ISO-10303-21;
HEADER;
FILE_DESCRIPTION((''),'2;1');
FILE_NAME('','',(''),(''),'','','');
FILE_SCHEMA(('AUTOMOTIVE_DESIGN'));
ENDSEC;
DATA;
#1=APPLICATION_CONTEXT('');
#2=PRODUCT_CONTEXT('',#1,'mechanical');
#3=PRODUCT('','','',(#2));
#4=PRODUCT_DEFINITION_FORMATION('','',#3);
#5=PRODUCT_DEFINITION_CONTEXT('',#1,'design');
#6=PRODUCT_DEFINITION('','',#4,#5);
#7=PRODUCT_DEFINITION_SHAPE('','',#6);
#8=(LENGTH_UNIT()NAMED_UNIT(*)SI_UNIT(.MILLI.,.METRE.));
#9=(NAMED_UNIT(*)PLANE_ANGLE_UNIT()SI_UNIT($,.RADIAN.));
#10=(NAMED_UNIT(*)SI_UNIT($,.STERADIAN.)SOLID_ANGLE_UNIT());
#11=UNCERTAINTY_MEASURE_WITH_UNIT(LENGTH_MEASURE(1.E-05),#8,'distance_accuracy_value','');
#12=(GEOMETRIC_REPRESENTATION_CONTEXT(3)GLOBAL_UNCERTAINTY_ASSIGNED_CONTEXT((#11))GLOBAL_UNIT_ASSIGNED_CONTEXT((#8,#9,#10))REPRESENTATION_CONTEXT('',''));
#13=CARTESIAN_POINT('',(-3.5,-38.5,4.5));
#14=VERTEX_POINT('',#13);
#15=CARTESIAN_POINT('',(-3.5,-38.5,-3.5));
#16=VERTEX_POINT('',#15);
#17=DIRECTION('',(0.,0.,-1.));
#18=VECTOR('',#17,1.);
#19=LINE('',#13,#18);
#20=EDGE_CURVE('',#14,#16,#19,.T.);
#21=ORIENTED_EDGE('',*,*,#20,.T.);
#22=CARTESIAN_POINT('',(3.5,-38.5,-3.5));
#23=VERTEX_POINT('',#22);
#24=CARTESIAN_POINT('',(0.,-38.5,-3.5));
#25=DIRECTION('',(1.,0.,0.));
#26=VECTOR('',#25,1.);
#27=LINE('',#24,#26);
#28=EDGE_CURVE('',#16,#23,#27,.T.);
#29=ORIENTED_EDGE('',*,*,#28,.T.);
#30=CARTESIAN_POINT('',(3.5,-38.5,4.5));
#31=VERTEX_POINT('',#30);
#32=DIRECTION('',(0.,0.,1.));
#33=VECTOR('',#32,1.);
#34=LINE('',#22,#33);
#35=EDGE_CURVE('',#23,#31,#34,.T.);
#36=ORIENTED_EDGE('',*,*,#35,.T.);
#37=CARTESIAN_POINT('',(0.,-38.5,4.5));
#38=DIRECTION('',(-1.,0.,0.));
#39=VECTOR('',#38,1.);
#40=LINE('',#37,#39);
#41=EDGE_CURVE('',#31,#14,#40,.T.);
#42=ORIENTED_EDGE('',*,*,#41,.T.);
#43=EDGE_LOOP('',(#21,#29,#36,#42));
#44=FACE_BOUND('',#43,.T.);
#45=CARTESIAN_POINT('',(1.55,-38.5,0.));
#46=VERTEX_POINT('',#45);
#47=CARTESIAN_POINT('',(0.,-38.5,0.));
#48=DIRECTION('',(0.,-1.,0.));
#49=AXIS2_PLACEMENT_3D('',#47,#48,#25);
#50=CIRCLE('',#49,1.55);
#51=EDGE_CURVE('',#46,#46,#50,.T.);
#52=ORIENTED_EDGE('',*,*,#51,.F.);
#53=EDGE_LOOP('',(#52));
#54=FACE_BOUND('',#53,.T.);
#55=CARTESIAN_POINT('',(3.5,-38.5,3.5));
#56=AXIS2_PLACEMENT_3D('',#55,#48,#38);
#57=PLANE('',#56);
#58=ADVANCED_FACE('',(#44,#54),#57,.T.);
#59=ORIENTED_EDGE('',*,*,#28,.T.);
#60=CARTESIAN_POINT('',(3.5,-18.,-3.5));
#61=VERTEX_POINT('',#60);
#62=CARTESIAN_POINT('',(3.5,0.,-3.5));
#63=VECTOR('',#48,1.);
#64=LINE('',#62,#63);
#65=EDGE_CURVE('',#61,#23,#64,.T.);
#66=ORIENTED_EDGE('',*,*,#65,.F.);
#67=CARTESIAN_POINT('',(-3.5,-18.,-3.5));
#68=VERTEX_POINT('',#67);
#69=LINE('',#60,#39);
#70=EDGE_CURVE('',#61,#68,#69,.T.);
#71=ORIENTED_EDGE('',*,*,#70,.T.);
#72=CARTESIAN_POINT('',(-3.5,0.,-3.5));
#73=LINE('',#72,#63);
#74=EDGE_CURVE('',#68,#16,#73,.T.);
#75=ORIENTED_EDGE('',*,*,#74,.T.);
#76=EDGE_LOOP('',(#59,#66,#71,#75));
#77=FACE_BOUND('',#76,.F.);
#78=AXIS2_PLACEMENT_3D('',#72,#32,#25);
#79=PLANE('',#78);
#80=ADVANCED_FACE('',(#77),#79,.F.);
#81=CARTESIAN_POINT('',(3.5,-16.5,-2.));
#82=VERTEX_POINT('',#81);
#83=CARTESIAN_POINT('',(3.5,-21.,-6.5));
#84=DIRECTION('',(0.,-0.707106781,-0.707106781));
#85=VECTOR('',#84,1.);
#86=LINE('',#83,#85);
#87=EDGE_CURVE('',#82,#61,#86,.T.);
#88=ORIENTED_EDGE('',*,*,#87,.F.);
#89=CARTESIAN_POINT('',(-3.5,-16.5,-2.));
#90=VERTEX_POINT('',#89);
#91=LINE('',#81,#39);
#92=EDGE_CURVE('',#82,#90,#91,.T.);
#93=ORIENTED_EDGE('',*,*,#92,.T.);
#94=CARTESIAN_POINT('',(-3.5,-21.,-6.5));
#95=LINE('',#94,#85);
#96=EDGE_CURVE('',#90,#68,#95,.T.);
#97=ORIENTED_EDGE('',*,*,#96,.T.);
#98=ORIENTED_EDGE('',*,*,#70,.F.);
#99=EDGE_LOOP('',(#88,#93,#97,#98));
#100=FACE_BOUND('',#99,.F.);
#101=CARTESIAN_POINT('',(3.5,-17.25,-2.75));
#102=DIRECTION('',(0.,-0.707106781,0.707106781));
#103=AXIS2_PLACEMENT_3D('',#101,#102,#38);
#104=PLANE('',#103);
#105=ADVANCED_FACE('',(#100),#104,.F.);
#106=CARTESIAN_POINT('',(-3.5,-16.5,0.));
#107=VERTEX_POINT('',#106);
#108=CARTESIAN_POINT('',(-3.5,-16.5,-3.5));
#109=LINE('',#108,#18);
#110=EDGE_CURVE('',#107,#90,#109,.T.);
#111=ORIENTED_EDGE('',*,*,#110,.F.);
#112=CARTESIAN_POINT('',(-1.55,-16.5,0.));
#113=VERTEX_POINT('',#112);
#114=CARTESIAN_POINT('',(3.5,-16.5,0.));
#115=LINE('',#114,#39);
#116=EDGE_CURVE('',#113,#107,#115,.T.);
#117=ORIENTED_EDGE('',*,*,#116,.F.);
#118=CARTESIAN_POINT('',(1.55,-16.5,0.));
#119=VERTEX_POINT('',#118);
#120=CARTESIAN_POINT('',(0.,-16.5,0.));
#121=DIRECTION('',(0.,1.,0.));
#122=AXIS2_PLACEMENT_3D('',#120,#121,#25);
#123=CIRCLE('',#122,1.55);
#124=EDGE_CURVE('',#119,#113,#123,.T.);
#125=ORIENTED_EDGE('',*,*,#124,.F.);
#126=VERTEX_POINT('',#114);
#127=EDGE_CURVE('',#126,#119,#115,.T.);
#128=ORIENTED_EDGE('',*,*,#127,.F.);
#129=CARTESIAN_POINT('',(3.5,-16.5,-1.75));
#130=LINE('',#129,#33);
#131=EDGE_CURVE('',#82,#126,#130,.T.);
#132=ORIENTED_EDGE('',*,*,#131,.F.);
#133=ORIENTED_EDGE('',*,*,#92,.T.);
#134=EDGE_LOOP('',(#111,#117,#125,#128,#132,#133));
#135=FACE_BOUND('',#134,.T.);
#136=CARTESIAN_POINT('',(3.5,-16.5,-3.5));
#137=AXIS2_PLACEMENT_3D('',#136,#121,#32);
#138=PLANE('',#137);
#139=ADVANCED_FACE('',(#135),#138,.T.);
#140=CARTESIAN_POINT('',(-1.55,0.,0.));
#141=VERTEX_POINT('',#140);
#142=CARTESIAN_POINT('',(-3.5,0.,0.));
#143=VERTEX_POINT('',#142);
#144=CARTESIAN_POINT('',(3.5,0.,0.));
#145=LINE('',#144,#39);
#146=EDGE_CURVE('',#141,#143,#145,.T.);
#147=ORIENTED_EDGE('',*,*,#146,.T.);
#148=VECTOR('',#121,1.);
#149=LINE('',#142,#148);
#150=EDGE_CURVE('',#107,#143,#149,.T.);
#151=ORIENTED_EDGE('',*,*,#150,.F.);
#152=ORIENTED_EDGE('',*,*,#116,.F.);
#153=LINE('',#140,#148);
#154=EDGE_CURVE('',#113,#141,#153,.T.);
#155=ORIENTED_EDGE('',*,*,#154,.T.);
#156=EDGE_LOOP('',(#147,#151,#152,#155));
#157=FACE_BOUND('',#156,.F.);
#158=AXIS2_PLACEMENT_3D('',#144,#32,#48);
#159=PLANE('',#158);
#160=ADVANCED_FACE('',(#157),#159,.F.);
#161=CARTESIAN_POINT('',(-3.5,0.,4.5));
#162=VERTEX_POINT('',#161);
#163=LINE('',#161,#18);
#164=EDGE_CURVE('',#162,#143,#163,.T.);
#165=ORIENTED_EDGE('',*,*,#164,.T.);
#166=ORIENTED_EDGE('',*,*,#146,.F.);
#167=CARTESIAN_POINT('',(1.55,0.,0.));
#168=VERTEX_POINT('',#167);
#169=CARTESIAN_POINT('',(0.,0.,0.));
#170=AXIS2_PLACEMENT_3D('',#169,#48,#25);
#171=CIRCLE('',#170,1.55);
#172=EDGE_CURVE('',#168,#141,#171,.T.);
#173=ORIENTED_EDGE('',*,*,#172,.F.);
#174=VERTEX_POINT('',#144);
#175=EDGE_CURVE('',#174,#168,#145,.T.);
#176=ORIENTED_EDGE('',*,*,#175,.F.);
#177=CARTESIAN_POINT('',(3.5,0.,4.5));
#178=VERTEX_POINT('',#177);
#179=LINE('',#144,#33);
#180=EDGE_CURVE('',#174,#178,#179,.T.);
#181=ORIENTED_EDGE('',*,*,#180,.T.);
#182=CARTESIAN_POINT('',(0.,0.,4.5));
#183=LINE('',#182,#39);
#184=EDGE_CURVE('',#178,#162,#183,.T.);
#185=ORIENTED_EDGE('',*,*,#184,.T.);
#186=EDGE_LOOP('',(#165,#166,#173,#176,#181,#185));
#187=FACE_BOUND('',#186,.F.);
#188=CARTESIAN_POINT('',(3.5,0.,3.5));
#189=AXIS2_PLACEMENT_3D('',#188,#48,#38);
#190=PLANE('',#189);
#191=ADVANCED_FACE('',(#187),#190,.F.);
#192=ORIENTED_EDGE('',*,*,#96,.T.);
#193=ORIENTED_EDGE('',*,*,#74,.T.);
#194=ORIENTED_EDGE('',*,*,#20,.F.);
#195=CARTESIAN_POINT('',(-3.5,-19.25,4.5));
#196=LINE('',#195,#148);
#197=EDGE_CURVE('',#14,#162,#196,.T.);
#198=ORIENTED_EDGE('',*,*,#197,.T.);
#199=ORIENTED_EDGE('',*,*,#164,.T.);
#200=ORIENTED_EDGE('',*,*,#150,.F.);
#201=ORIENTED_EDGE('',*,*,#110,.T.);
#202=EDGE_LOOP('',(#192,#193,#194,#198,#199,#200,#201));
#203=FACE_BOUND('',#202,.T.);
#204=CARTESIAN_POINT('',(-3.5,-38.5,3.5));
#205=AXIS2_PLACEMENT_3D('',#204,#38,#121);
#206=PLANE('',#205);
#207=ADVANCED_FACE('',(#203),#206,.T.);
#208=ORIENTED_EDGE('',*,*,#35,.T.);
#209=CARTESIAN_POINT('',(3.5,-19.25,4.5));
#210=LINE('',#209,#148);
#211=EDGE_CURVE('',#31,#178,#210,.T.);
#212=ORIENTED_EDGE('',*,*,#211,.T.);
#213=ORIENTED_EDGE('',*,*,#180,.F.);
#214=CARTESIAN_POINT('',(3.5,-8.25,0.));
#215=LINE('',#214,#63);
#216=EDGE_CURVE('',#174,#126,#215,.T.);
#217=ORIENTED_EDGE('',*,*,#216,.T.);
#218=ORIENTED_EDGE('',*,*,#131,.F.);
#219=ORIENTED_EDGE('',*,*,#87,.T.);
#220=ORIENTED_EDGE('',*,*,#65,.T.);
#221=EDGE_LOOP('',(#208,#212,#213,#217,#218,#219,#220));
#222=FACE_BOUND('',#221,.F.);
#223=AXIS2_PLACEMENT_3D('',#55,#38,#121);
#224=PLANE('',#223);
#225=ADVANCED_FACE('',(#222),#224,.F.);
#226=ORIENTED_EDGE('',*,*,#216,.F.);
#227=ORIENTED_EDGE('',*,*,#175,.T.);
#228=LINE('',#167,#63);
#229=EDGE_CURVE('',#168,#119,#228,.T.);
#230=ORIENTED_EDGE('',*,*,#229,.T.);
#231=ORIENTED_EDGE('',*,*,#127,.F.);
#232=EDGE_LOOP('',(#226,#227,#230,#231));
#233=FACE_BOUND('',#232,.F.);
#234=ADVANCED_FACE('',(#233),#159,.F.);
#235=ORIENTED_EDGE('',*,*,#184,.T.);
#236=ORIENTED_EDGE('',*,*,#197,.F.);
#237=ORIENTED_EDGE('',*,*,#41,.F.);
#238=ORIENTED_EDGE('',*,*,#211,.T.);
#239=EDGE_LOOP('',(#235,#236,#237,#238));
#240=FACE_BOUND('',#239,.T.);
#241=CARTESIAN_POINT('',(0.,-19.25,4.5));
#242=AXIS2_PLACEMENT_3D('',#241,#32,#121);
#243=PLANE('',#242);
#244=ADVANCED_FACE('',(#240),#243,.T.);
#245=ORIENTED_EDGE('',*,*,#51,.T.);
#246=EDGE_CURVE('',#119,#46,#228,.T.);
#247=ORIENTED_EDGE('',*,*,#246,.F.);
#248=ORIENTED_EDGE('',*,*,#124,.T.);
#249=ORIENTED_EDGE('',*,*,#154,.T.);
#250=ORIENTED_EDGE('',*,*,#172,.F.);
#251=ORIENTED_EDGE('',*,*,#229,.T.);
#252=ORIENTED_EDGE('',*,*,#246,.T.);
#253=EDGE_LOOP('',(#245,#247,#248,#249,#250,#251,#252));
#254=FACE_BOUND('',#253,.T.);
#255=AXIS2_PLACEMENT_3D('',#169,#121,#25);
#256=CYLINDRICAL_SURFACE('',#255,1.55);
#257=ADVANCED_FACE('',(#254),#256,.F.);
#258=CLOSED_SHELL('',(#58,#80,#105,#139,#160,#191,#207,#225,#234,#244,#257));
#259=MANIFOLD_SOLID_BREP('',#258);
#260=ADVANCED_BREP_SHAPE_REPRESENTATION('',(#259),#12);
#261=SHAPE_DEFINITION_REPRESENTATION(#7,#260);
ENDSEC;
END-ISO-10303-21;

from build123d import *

# Parameters (mm, degrees)
SKETCH_W       = 7
SKETCH_H       = 7
SKETCH_R       = 1.55
PAD_DEPTH      = 38.5
SKETCH001_W    = 3.5
SKETCH001_H    = 16.5
POCKET_DEPTH   = 7.001
POCKET_FACE7_W = 38.5
POCKET_FACE7_H = 7
PAD001_DEPTH   = 1
CHAMFER_SIZE   = 1.5


with BuildPart() as part:
    # Sketch → Pad (new body)
    with BuildSketch(Plane.XZ):
        Rectangle(SKETCH_W, SKETCH_H)
        Circle(SKETCH_R, mode=Mode.SUBTRACT)
    extrude(amount=PAD_DEPTH)

    # Sketch001 (on Face3 of Pad) → Pocket (cut, through all)
    with BuildSketch(Plane(origin=(3.5, 0, 0), x_dir=(0, 0, 1), z_dir=(1, 0, 0))):
        with Locations((-1.75, 8.25)):
            Rectangle(SKETCH001_W, SKETCH001_H)
    extrude(amount=-POCKET_DEPTH, mode=Mode.SUBTRACT)

    # Pocket Face7 → Pad001 (add)
    with BuildSketch(Plane(origin=(0, -19.25, 3.5), x_dir=(0, 1, 0), z_dir=(0, 0, 1))):
        Rectangle(POCKET_FACE7_W, POCKET_FACE7_H)
    extrude(amount=PAD001_DEPTH)

    # Chamfer
    chamfer_edges = [part.edges().sort_by_distance(p)[0] for p in [
        (0, -16.5, -3.5),
    ]]
    chamfer(chamfer_edges, length=CHAMFER_SIZE)


solid = part.part
